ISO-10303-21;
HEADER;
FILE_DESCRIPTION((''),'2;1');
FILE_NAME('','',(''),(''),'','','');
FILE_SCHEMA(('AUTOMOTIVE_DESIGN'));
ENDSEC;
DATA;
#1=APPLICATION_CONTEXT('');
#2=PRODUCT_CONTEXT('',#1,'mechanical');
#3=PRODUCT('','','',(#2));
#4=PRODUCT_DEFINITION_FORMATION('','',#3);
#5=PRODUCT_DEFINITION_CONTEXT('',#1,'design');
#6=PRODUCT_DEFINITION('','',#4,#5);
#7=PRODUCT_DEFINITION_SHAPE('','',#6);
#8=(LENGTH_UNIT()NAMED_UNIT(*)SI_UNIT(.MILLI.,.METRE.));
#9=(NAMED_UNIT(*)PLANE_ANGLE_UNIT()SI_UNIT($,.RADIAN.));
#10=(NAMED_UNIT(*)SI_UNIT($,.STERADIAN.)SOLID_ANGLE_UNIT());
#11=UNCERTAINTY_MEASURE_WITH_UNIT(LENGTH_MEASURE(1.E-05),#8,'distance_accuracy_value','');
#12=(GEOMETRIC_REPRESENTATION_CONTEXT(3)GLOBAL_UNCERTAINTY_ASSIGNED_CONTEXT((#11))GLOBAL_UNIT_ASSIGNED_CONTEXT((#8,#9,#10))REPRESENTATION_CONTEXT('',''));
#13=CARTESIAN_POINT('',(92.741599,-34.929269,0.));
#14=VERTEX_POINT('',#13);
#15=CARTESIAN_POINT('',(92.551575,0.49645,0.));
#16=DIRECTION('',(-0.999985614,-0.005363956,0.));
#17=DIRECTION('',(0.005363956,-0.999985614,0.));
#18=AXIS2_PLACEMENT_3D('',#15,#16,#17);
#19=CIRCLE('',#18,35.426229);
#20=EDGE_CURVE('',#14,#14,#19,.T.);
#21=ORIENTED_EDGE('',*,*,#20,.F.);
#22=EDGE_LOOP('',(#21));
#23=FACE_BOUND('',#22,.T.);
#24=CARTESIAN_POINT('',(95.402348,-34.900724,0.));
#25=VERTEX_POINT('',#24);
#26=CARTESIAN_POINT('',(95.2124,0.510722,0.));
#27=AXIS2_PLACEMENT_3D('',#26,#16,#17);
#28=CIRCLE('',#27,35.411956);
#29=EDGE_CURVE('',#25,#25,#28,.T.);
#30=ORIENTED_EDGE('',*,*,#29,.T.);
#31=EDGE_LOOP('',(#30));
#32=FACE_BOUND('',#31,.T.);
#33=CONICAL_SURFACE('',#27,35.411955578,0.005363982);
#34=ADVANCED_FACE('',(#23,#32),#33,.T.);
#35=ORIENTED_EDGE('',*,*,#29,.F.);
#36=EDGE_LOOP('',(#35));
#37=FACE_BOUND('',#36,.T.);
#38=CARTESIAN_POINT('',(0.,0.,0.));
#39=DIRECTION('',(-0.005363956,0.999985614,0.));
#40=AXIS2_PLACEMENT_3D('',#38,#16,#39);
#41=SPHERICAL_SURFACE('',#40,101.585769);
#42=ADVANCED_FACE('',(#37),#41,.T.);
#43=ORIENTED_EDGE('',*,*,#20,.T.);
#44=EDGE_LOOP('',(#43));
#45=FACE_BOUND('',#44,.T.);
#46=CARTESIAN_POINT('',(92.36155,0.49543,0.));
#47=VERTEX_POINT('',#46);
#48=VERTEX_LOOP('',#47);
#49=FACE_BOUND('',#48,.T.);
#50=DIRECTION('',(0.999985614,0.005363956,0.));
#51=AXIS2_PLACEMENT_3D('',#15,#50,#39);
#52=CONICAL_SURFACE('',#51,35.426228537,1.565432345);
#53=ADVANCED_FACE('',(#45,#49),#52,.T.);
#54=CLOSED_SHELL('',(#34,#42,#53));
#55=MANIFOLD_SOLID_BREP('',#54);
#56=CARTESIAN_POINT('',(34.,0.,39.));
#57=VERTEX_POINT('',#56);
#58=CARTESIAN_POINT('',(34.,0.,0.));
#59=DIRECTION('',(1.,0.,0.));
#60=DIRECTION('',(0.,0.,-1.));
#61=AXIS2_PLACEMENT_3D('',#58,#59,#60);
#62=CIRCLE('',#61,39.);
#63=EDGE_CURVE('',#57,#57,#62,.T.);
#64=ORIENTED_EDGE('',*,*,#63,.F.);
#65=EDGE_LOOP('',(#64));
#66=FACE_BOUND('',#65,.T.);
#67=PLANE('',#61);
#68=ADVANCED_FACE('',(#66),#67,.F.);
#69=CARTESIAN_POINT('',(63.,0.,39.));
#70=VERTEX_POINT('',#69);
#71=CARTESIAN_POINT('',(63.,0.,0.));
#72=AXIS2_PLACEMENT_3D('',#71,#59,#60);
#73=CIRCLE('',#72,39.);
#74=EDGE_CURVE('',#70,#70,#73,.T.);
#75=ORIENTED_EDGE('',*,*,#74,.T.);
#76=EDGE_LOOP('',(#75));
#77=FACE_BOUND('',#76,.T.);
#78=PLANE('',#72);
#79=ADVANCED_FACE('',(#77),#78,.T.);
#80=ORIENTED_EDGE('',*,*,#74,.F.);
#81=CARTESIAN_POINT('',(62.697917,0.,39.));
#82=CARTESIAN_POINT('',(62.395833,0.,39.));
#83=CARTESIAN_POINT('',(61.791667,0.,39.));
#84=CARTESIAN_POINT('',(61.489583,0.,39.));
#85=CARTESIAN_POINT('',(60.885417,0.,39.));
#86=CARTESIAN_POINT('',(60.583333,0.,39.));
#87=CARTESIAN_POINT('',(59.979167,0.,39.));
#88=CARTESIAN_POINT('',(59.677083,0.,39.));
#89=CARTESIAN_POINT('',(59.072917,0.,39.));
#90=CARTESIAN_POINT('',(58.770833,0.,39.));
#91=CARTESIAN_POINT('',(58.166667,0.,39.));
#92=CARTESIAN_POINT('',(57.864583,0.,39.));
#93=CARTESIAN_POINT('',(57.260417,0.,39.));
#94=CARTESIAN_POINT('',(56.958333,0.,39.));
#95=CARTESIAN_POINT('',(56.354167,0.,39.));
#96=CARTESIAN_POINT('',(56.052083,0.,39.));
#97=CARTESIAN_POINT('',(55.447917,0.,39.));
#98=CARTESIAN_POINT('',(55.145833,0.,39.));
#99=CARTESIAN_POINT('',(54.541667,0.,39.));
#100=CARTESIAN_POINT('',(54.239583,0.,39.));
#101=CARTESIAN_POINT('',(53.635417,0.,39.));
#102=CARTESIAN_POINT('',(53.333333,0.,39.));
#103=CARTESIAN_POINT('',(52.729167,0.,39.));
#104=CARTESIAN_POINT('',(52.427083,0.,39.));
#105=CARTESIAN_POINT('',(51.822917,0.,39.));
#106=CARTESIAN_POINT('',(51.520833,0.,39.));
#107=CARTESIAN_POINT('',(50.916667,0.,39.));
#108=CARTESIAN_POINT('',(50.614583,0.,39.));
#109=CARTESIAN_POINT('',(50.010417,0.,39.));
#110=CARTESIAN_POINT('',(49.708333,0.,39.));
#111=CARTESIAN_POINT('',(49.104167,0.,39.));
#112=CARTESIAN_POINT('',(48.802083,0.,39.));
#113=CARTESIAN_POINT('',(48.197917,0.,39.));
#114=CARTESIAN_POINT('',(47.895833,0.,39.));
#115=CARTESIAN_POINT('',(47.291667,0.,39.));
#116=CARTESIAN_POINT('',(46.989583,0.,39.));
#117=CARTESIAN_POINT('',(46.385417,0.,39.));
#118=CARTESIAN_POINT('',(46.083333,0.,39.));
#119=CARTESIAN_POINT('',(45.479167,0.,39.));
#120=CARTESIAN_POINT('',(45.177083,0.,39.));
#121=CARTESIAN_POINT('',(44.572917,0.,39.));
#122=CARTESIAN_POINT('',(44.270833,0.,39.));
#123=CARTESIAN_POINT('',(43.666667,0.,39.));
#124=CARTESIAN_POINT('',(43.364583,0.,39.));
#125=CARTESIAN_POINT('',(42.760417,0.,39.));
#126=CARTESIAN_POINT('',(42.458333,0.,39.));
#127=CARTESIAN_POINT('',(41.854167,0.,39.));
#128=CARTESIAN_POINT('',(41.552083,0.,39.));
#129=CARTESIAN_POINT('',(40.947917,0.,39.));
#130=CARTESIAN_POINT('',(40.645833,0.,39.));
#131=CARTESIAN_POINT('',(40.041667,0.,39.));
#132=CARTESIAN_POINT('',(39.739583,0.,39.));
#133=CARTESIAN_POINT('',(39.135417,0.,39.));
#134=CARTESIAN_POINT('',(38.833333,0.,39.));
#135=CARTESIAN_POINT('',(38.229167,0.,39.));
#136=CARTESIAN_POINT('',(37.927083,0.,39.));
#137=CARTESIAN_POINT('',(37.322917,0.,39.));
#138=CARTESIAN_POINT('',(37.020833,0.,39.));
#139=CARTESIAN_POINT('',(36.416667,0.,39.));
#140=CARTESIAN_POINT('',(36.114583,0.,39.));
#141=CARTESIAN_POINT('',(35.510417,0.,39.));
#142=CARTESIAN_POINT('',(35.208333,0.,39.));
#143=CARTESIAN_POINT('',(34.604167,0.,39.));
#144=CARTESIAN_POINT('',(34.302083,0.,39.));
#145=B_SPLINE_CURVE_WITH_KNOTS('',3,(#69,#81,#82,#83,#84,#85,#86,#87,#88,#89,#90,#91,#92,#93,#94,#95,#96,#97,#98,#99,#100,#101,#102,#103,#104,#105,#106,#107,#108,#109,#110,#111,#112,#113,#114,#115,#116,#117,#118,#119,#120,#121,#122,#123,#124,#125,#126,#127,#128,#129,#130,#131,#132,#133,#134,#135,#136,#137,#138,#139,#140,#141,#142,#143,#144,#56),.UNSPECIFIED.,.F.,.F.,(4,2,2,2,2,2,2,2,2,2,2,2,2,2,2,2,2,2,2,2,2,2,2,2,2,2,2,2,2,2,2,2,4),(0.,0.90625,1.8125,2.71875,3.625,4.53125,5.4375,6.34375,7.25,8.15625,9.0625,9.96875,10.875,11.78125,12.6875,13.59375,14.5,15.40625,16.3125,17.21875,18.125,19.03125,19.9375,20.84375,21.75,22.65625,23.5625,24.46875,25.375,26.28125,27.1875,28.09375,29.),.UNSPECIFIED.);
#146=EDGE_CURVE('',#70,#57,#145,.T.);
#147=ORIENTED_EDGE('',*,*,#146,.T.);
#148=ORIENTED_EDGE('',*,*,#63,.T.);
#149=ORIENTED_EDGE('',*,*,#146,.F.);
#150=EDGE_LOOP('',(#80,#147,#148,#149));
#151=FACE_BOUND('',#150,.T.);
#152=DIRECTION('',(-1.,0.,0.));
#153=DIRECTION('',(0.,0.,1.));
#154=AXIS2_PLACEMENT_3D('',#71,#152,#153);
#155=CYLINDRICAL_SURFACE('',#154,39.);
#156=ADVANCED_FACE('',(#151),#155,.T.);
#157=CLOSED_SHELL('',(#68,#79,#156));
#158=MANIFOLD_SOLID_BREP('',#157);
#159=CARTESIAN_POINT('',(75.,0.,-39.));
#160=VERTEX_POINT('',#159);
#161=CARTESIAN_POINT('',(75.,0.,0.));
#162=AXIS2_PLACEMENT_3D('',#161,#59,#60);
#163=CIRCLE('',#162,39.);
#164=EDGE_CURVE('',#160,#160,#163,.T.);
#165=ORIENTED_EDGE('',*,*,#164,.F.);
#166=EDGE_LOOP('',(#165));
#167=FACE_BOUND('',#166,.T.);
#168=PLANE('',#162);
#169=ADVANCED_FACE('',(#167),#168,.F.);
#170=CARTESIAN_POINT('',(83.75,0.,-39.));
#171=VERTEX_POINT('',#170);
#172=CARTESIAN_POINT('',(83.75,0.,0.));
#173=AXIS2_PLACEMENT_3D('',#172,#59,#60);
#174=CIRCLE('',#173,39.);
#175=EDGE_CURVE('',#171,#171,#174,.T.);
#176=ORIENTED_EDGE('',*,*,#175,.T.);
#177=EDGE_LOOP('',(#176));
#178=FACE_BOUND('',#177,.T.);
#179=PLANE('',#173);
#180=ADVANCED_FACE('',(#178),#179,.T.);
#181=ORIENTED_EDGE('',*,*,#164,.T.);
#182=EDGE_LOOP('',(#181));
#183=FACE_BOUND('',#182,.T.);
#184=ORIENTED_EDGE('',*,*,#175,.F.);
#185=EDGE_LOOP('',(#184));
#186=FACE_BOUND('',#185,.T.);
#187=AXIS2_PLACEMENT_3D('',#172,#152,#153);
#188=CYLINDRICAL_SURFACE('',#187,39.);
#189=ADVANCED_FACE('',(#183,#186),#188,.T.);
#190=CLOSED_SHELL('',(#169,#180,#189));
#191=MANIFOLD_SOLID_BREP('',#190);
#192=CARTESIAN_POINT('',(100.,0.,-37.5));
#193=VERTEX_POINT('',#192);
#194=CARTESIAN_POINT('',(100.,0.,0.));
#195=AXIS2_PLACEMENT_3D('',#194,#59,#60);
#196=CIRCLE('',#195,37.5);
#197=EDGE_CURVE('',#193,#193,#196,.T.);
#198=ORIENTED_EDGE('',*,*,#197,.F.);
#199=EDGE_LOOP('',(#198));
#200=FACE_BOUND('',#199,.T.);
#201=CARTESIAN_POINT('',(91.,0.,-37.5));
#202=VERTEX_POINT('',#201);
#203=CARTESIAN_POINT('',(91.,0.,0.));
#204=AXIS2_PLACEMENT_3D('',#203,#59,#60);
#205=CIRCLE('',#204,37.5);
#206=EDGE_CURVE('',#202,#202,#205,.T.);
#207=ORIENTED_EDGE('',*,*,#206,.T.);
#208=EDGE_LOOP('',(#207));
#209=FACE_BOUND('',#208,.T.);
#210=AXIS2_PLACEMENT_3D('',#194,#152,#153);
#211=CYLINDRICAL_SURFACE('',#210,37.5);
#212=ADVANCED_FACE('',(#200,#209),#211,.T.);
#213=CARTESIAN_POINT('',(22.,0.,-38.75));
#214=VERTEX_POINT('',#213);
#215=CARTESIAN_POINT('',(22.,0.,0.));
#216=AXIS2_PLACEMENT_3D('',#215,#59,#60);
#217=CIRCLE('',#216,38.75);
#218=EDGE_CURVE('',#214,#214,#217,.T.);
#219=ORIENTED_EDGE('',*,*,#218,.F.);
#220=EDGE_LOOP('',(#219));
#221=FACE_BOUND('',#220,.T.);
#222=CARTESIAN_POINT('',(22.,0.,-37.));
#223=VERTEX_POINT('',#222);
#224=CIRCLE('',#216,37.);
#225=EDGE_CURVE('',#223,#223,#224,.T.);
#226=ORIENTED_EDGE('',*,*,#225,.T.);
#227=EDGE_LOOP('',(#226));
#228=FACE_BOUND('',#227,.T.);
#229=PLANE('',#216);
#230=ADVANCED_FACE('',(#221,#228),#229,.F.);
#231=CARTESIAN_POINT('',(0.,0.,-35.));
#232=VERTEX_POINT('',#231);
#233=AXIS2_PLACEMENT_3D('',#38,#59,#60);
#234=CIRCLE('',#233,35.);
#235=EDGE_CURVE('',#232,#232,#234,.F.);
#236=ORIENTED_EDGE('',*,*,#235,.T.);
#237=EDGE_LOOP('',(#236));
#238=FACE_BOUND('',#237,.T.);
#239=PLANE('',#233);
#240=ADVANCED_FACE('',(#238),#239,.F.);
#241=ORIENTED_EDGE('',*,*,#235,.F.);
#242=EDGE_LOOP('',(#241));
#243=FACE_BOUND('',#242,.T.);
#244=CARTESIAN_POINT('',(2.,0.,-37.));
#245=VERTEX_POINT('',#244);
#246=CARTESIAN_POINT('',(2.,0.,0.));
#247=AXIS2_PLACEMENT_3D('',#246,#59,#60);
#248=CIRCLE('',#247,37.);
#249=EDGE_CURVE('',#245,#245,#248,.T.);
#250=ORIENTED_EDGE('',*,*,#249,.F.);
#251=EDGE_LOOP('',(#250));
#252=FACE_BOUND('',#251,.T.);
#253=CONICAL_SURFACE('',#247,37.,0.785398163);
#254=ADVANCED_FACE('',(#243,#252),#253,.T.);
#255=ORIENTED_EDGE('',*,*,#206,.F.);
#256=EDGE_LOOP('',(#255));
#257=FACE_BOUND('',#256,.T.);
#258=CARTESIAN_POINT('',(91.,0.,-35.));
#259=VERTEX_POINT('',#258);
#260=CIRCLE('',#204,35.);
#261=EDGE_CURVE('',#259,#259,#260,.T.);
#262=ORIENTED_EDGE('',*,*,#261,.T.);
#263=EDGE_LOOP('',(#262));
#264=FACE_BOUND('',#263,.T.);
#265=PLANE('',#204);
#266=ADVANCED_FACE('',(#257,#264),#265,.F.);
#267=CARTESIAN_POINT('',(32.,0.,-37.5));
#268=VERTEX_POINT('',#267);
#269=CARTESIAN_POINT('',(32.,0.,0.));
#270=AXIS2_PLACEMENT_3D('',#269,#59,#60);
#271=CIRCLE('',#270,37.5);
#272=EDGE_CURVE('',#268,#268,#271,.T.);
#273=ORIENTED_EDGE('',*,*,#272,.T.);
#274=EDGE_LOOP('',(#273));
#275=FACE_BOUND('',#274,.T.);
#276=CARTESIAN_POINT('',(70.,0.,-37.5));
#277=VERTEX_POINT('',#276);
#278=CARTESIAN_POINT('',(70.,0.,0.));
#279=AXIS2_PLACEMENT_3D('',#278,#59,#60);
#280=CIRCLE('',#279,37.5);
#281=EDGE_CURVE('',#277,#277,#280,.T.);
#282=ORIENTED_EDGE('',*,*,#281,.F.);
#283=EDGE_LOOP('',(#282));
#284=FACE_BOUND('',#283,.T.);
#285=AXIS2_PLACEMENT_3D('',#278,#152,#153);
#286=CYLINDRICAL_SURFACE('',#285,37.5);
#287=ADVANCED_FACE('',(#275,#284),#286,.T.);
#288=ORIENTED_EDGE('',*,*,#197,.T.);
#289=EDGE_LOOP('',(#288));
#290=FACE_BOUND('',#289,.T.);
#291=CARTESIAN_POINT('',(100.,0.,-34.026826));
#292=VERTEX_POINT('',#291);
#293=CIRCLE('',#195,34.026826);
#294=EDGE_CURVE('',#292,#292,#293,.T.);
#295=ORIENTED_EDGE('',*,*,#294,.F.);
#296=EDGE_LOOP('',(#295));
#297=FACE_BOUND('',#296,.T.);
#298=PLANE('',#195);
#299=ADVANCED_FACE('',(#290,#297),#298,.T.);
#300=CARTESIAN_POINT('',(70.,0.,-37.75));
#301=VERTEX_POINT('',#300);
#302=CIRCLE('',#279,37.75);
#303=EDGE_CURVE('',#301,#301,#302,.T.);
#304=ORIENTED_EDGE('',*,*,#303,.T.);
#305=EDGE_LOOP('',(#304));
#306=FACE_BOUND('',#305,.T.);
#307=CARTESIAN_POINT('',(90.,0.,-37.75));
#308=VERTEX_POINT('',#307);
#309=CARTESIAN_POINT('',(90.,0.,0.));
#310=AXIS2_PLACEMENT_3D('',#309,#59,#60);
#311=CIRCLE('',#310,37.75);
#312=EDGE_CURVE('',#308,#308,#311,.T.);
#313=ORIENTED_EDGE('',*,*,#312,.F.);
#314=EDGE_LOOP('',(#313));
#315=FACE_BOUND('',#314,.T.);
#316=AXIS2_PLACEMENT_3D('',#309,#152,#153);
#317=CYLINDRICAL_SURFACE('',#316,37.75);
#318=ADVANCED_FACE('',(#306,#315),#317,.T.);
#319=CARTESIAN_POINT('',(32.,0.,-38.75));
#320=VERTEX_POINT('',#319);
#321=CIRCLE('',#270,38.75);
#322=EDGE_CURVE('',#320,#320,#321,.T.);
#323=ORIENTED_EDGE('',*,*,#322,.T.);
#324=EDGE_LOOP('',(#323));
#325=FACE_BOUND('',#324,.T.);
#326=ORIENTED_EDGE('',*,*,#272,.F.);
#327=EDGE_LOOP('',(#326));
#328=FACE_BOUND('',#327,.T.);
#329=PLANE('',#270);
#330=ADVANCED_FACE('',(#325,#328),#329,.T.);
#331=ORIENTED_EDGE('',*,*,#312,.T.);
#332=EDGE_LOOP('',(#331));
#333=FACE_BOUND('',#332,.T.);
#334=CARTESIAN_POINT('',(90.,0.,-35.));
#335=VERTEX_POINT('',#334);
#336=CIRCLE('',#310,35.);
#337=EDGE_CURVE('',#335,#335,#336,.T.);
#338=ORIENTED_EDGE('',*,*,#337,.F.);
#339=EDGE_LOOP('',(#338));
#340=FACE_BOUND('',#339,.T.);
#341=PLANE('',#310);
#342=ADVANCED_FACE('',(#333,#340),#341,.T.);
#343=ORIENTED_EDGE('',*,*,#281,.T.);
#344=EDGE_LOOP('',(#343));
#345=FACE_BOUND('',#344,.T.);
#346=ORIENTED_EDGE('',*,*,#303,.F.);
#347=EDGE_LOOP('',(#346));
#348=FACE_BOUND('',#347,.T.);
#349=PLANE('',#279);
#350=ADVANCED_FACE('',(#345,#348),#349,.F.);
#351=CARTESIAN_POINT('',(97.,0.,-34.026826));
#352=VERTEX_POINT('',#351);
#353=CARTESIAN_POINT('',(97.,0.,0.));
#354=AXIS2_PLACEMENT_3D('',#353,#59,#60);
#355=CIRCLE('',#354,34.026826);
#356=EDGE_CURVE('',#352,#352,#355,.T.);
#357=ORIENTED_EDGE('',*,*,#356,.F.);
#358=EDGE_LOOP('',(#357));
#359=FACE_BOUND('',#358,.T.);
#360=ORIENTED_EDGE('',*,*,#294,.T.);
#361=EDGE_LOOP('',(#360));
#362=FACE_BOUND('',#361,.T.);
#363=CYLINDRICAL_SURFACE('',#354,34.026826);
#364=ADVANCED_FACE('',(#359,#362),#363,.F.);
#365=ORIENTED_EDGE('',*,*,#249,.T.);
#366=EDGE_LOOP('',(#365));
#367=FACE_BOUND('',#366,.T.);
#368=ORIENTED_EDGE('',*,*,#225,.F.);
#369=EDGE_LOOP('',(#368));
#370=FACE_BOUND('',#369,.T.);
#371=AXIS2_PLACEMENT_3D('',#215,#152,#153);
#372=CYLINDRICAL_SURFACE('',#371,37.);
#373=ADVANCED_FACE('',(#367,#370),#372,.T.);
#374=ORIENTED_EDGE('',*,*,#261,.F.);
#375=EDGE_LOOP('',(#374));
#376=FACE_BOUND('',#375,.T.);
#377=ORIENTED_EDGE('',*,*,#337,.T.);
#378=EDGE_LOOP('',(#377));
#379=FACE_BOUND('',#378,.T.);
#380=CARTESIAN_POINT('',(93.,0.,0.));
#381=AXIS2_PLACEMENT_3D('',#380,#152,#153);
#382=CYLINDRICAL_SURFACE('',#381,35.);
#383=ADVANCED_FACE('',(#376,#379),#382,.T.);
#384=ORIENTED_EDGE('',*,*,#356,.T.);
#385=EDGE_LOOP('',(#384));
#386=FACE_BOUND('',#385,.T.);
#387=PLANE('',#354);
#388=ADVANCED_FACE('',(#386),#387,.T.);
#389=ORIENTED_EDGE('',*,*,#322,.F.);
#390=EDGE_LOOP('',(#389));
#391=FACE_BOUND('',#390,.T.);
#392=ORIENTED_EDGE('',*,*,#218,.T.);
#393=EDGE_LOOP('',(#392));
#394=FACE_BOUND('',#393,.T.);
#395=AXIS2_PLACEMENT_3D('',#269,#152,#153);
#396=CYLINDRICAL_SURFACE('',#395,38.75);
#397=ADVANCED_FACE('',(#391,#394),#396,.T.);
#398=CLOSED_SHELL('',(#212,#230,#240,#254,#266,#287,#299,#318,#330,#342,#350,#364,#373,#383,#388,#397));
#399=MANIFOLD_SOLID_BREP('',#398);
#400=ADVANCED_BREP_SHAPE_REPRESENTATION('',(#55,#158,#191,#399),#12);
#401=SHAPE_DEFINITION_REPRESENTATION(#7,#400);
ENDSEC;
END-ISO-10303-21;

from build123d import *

# Parameters (mm, degrees)
SKETCH1_R           = 37
BOSS_EXTRUDE1_DEPTH = 22
SKETCH2_R           = 38.75
BOSS_EXTRUDE2_DEPTH = 10
SKETCH3_R           = 37.5
BOSS_EXTRUDE3_DEPTH = 38
BOSS_EXTRUDE4_START = 34
SKETCH4_R           = 39
BOSS_EXTRUDE4_DEPTH = 29
BOSS_EXTRUDE6_START = 70
SKETCH7_R           = 37.75
BOSS_EXTRUDE6_DEPTH = 20
BOSS_EXTRUDE5_START = 75
SKETCH5_R           = 39
BOSS_EXTRUDE5_DEPTH = 8.75
SKETCH8_R           = 35
BOSS_EXTRUDE7_DEPTH = 3
BOSS_EXTRUDE8_START = 91
SKETCH10_R          = 37.5
BOSS_EXTRUDE8_DEPTH = 9
CHAMFER1_SIZE       = 2
SKETCH11_R          = 34.026825553
CUT_EXTRUDE1_DEPTH  = 3


with BuildPart() as part:
    # Sketch1 → Boss-Extrude1 (new body)
    with BuildSketch(Plane(origin=(0, 0, 0), x_dir=(0, 0, -1), z_dir=(1, 0, 0))):
        Circle(SKETCH1_R)
    extrude(amount=BOSS_EXTRUDE1_DEPTH)

    # Sketch2 → Boss-Extrude2 (add)
    with BuildSketch(Plane(origin=(22, 0, 0), x_dir=(0, 0, -1), z_dir=(1, 0, 0))):
        Circle(SKETCH2_R)
    extrude(amount=BOSS_EXTRUDE2_DEPTH)

    # Sketch3 → Boss-Extrude3 (add)
    with BuildSketch(Plane(origin=(32, 0, 0), x_dir=(0, 0, -1), z_dir=(1, 0, 0))):
        Circle(SKETCH3_R)
    extrude(amount=BOSS_EXTRUDE3_DEPTH)

    # Sketch7 → Boss-Extrude6 (add)
    with BuildSketch(Plane(origin=(0, 0, 0), x_dir=(0, 0, -1), z_dir=(1, 0, 0)).offset(BOSS_EXTRUDE6_START)):
        Circle(SKETCH7_R)
    extrude(amount=BOSS_EXTRUDE6_DEPTH)

    # Sketch8 → Boss-Extrude7 (add)
    with BuildSketch(Plane(origin=(90, 0, 0), x_dir=(0, 0, -1), z_dir=(1, 0, 0))):
        Circle(SKETCH8_R)
    extrude(amount=BOSS_EXTRUDE7_DEPTH)

    # Sketch10 → Boss-Extrude8 (add)
    with BuildSketch(Plane(origin=(0, 0, 0), x_dir=(0, 0, -1), z_dir=(1, 0, 0)).offset(BOSS_EXTRUDE8_START)):
        Circle(SKETCH10_R)
    extrude(amount=BOSS_EXTRUDE8_DEPTH)

    # Chamfer1
    chamfer1_edges = [part.edges().sort_by_distance(p)[0] for p in [
        (0, 0, 37),
    ]]
    chamfer(chamfer1_edges, length=CHAMFER1_SIZE)

    # Sketch11 → Cut-Extrude1 (cut)
    with BuildSketch(Plane(origin=(100, 0, 0), x_dir=(0, 0, -1), z_dir=(1, 0, 0))):
        Circle(SKETCH11_R)
    extrude(amount=-CUT_EXTRUDE1_DEPTH, mode=Mode.SUBTRACT)


with BuildPart() as body_2:
    # Sketch4 → Boss-Extrude4 (new body)
    with BuildSketch(Plane(origin=(0, 0, 0), x_dir=(0, 0, -1), z_dir=(1, 0, 0)).offset(BOSS_EXTRUDE4_START)):
        with Locations(Location((0, 0, 0), (0, 0, 180))):
            Circle(SKETCH4_R)
    extrude(amount=BOSS_EXTRUDE4_DEPTH)


with BuildPart() as body_3:
    # Sketch5 → Boss-Extrude5 (new body)
    with BuildSketch(Plane(origin=(0, 0, 0), x_dir=(0, 0, -1), z_dir=(1, 0, 0)).offset(BOSS_EXTRUDE5_START)):
        Circle(SKETCH5_R)
    extrude(amount=BOSS_EXTRUDE5_DEPTH)


with BuildPart() as body_4:
    # Sketch12 → Revolve2 (revolve)
    with BuildSketch(Plane.XY):
        with BuildLine():
            Line((95.022451355, 35.922168635), (92.361549975, 35.922168635))
            Line((92.361549975, 35.922168635), (92.361549975, 0.495430445))
            Line((92.361549975, 0.495430445), (101.584307564, 0.544901625))
            ThreePointArc((101.584307564, 0.544901625), (99.882141389, 18.526367495), (95.022451355, 35.922168635))
        make_face()
    revolve(axis=Axis((0, 0, 0), (0.999985613882951, 0.005363956295271656, 0)))


solid = Compound([part.part, body_2.part, body_3.part, body_4.part])
